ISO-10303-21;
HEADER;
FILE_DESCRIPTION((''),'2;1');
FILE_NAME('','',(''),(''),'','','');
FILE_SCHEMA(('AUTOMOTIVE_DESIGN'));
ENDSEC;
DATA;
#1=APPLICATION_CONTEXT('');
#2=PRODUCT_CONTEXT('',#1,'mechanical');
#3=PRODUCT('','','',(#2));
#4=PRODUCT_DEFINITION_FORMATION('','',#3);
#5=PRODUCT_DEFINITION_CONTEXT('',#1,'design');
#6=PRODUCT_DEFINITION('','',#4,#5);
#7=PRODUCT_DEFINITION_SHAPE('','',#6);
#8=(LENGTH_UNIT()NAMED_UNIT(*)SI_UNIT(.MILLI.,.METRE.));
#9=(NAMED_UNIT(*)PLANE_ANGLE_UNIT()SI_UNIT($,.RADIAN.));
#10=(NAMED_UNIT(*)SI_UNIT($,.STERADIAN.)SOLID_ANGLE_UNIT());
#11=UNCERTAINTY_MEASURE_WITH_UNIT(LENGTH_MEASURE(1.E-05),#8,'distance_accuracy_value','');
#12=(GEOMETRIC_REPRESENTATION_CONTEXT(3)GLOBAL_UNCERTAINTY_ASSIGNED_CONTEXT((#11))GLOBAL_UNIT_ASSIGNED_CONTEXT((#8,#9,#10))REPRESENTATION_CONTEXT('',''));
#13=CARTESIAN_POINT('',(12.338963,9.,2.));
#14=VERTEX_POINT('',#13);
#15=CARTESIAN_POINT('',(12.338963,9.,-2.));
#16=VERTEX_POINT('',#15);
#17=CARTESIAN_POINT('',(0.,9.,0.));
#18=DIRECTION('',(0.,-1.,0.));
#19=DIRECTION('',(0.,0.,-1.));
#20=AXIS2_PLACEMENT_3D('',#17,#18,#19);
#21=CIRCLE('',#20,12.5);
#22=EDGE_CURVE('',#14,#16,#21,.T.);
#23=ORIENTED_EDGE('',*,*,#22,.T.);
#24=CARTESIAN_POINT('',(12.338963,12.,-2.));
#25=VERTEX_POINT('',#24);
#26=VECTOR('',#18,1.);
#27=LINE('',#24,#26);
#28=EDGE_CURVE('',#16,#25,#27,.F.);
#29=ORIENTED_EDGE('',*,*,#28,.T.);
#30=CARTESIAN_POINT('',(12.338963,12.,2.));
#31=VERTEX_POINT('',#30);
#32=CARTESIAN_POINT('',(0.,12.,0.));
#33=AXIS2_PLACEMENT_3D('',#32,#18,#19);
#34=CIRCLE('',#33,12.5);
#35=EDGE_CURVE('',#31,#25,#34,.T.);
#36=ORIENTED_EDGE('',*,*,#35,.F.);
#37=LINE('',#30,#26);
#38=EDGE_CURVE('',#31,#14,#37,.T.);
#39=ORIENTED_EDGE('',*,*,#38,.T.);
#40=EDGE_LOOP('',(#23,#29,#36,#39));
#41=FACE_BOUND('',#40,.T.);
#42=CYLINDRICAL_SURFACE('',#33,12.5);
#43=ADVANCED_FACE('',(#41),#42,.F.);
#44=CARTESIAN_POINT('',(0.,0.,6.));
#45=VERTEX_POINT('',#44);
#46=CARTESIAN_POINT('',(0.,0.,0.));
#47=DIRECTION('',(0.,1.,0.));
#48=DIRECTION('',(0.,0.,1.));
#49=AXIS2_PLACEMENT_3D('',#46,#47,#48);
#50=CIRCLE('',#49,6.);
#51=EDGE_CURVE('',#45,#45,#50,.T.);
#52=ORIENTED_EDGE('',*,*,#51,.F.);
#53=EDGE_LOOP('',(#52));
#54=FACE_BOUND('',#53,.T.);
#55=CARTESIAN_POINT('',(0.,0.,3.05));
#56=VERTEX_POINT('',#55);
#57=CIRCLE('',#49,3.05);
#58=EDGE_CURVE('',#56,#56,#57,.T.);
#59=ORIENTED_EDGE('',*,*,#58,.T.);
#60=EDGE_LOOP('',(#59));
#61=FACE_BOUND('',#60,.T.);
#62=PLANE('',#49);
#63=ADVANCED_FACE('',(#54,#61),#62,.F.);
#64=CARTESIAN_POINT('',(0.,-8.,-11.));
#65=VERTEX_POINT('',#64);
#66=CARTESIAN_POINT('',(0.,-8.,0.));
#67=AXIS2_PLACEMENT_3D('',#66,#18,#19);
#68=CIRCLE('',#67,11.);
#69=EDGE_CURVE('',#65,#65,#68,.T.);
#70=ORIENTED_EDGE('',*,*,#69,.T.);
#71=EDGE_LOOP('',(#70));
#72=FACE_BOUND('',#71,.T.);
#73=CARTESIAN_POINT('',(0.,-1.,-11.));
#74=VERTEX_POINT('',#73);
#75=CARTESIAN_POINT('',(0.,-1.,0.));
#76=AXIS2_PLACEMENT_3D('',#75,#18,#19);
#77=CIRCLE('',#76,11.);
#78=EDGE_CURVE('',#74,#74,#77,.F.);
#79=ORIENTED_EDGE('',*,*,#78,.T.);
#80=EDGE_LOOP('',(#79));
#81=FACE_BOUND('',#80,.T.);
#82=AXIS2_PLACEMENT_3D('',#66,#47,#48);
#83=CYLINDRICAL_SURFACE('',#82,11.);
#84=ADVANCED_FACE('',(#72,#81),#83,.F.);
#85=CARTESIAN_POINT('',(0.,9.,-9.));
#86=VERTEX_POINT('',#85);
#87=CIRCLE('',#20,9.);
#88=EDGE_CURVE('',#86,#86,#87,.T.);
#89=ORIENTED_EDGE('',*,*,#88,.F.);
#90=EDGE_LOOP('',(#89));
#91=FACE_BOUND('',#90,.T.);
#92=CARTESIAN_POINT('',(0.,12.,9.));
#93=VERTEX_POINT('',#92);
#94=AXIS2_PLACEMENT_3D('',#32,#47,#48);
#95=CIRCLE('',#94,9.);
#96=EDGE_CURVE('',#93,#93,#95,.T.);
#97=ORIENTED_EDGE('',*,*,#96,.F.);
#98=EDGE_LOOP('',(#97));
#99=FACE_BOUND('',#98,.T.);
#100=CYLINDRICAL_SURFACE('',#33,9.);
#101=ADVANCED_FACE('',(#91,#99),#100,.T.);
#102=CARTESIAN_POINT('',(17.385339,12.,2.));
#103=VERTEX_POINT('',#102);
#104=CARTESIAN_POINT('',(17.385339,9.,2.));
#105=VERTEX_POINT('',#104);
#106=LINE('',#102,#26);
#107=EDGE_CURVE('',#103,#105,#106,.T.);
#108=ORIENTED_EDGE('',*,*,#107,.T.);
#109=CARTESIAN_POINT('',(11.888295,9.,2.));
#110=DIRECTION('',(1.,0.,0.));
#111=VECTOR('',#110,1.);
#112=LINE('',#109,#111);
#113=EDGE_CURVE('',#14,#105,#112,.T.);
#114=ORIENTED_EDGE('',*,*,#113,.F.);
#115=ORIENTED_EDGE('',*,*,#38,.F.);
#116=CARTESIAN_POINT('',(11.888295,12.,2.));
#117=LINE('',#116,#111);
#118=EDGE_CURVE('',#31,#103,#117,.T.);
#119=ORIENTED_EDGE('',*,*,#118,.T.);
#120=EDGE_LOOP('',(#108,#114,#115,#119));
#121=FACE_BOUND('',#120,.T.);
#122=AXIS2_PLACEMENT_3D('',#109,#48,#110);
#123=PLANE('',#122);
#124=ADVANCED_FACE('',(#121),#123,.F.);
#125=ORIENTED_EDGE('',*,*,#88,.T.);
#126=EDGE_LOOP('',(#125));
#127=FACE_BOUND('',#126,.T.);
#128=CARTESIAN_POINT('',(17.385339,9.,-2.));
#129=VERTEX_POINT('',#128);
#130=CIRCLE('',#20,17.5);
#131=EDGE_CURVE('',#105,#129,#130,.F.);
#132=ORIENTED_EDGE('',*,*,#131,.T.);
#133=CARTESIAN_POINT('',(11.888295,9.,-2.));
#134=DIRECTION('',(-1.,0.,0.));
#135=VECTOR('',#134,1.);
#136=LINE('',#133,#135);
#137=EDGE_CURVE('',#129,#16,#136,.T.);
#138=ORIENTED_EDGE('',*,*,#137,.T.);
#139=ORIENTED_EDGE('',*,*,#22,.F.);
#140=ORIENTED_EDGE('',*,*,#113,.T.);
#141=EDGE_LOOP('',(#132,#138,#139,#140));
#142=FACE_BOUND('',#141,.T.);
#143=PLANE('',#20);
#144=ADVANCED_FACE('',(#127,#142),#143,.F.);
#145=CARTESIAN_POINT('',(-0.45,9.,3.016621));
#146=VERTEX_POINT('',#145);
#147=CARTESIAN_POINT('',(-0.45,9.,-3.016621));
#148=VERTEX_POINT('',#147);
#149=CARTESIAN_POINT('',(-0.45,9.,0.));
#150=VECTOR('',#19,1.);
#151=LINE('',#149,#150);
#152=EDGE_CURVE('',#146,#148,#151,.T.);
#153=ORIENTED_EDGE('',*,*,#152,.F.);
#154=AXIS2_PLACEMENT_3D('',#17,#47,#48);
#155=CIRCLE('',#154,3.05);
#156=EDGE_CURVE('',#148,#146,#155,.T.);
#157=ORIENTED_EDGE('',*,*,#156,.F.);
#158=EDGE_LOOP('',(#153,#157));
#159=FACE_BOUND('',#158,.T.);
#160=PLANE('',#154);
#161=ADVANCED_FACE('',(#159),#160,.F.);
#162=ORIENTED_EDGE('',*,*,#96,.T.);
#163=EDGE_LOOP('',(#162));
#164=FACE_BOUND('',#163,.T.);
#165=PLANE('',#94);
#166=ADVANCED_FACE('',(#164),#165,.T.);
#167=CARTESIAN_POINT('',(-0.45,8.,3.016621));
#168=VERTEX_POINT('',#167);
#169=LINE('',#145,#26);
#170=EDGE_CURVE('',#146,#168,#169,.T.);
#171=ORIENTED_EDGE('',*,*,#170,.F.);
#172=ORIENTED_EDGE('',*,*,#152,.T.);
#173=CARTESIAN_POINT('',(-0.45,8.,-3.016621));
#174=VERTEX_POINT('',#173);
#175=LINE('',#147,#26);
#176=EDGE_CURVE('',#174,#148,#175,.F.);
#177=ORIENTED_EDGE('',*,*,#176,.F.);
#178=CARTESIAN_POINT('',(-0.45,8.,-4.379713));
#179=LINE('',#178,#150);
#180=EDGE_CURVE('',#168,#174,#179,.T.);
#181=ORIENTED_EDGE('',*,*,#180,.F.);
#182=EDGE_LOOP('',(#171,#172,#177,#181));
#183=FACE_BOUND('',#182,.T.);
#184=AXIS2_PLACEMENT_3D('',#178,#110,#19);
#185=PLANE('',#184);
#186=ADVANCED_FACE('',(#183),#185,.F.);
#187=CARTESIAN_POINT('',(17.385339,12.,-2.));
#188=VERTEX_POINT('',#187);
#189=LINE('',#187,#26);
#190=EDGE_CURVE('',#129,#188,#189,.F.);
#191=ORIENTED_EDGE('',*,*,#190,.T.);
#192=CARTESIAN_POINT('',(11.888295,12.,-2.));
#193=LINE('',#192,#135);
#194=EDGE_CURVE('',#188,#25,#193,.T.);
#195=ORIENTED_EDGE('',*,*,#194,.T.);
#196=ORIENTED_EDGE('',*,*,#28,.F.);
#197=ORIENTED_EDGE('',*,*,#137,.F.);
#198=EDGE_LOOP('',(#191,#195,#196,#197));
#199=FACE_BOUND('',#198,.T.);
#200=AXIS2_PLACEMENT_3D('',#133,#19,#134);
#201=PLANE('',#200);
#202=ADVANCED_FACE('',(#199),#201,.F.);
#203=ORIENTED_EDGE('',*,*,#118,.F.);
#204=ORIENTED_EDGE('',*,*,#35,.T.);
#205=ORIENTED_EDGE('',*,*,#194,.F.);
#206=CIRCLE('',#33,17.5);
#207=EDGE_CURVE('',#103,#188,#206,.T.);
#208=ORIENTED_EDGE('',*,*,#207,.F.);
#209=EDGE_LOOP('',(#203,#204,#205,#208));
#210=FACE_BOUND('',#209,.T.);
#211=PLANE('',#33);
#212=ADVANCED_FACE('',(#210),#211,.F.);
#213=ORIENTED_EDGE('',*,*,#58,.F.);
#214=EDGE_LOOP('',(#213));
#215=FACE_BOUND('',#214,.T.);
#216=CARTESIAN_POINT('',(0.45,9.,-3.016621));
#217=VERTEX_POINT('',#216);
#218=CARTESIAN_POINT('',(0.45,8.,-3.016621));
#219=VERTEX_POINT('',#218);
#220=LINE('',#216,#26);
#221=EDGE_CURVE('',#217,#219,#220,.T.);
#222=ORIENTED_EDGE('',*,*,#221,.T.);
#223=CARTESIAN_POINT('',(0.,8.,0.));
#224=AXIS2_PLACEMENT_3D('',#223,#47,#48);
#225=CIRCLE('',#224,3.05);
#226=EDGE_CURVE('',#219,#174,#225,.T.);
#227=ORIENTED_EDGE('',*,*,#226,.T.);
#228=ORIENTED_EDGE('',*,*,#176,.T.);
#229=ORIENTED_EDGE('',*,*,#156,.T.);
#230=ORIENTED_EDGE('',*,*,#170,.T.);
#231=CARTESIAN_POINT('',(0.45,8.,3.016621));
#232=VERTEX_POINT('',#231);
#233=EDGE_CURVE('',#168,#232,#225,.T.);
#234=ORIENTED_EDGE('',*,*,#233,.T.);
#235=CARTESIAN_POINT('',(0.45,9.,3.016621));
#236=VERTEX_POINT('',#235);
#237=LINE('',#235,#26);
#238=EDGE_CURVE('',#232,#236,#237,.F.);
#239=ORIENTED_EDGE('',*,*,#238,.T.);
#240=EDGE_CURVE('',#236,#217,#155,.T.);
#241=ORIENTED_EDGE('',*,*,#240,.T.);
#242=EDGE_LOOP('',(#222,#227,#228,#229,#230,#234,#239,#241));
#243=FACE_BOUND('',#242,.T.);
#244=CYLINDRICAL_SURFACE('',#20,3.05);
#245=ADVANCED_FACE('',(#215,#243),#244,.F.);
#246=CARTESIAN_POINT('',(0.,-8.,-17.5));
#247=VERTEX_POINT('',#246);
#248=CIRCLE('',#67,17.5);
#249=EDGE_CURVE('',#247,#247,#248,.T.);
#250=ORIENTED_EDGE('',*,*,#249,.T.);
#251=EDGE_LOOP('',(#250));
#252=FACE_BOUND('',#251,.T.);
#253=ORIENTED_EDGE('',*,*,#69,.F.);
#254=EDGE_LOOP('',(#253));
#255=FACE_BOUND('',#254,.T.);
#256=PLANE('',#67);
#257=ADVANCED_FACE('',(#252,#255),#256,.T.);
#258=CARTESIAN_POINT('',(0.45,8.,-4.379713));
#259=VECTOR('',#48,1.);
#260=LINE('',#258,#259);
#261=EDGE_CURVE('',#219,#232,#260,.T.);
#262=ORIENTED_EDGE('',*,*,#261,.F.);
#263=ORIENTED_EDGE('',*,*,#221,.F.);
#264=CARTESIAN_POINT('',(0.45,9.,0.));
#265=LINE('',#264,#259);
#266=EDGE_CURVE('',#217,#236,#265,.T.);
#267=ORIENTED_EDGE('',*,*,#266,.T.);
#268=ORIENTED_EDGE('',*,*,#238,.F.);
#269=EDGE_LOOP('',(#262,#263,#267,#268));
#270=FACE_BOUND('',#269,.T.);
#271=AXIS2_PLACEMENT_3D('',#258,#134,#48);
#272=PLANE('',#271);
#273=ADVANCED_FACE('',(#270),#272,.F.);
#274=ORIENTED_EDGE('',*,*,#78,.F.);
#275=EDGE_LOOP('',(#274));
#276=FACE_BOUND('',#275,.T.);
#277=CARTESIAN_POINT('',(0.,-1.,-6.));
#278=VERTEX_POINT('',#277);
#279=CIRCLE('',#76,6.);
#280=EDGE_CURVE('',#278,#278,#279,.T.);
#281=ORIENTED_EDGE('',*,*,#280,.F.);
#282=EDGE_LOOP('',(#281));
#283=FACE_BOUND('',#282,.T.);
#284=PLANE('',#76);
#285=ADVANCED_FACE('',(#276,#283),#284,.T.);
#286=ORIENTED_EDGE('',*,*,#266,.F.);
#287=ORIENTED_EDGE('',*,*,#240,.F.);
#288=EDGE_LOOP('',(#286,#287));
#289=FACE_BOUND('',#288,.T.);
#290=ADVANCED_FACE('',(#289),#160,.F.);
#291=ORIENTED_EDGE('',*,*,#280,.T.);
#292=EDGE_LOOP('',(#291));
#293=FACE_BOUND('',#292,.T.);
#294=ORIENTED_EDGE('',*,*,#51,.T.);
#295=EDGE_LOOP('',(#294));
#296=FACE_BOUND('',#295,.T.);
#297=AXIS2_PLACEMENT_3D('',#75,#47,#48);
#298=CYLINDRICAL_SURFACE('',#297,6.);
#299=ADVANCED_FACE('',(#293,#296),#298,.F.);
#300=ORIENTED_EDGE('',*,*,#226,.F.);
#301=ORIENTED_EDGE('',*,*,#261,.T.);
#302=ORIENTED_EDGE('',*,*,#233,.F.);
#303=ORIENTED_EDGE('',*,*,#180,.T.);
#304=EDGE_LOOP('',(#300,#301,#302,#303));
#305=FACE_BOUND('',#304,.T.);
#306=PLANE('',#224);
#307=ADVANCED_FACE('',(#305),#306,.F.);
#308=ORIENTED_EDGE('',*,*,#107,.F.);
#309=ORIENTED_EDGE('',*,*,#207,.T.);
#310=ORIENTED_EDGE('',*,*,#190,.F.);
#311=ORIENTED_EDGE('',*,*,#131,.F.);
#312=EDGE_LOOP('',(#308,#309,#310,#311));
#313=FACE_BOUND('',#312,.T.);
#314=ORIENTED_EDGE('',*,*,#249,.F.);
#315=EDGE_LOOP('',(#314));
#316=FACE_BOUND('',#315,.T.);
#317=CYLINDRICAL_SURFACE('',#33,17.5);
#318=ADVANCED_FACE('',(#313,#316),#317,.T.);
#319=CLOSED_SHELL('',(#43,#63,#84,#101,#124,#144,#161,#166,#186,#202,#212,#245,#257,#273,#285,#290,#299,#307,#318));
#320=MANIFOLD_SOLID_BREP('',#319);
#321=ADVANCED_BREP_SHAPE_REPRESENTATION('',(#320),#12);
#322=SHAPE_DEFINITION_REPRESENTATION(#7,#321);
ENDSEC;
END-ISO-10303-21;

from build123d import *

# Parameters (mm, degrees)
SKETCH_1_R          = 6
SKETCH_1_R_2        = 3.05
EXTRUDE_1_DEPTH     = 9
SKETCH_2_R          = 9
EXTRUDE_2_DEPTH     = 3
SKETCH_3_W          = 0.9
SKETCH_3_H          = 8.759425964
EXTRUDE_3_DEPTH     = 1
EXTRUDE_START       = 10
SKETCH_4_R          = 12.5
SKETCH_4_R_2        = 6
EXTRUDE_4_DEPTH     = 10
EXTRUDE_START_2     = 7
SKETCH_5_R          = 12.5
SKETCH_5_R_2        = 11
EXTRUDE_5_DEPTH     = 7
SKETCH_6_R          = 17.5
SKETCH_6_R_2        = 12.5
EXTRUDE_6_DEPTH     = 20
SKETCH_7_W          = 11.223410854
SKETCH_7_H          = 4
CUT_EXTRUDE_1_DEPTH = 3


with BuildPart() as part:
    # 草图1 → 凸台-拉伸1 (new body)
    with BuildSketch(Plane(origin=(0, 0, 0), x_dir=(1, 0, 0), z_dir=(0, 1, 0))):
        with Locations(Location((0, 0, 0), (0, 0, 270))):
            Circle(SKETCH_1_R)
        with Locations(Location((0, 0, 0), (0, 0, 270))):
            Circle(SKETCH_1_R_2, mode=Mode.SUBTRACT)
    extrude(amount=EXTRUDE_1_DEPTH)

    # 草图2 → 凸台-拉伸2 (add)
    with BuildSketch(Plane(origin=(0, 9, 0), x_dir=(1, 0, 0), z_dir=(0, 1, 0))):
        with Locations(Location((0, 0, 0), (0, 0, 270))):
            Circle(SKETCH_2_R)
    extrude(amount=EXTRUDE_2_DEPTH)

    # 草图3 → 凸台-拉伸3 (add)
    with BuildSketch(Plane.XZ.offset(-9)):
        Rectangle(SKETCH_3_W, SKETCH_3_H)
    extrude(amount=EXTRUDE_3_DEPTH)

    # 草图4 → 凸台-拉伸4 (add)
    with BuildSketch(Plane.XZ.offset(-9).offset(EXTRUDE_START)):
        with Locations(Location((0, 0, 0), (0, 0, 270))):
            Circle(SKETCH_4_R)
        with Locations(Location((0, 0, 0), (0, 0, 90))):
            Circle(SKETCH_4_R_2, mode=Mode.SUBTRACT)
    extrude(amount=-EXTRUDE_4_DEPTH)

    # 草图5 → 凸台-拉伸5 (add)
    with BuildSketch(Plane.XZ.offset(1).offset(EXTRUDE_START_2)):
        with Locations(Location((0, 0, 0), (0, 0, 270))):
            Circle(SKETCH_5_R)
        with Locations(Location((0, 0, 0), (0, 0, 270))):
            Circle(SKETCH_5_R_2, mode=Mode.SUBTRACT)
    extrude(amount=-EXTRUDE_5_DEPTH)

    # 草图6 → 凸台-拉伸6 (add)
    with BuildSketch(Plane.XZ.offset(8)):
        with Locations(Location((0, 0, 0), (0, 0, 270))):
            Circle(SKETCH_6_R)
        with Locations(Location((0, 0, 0), (0, 0, 270))):
            Circle(SKETCH_6_R_2, mode=Mode.SUBTRACT)
    extrude(amount=-EXTRUDE_6_DEPTH)

    # 草图7 → 切除-拉伸1 (cut)
    with BuildSketch(Plane(origin=(0, 12, 0), x_dir=(1, 0, 0), z_dir=(0, 1, 0))):
        with Locations((17.5, 0)):
            Rectangle(SKETCH_7_W, SKETCH_7_H)
    extrude(amount=-CUT_EXTRUDE_1_DEPTH, mode=Mode.SUBTRACT)


solid = part.part
